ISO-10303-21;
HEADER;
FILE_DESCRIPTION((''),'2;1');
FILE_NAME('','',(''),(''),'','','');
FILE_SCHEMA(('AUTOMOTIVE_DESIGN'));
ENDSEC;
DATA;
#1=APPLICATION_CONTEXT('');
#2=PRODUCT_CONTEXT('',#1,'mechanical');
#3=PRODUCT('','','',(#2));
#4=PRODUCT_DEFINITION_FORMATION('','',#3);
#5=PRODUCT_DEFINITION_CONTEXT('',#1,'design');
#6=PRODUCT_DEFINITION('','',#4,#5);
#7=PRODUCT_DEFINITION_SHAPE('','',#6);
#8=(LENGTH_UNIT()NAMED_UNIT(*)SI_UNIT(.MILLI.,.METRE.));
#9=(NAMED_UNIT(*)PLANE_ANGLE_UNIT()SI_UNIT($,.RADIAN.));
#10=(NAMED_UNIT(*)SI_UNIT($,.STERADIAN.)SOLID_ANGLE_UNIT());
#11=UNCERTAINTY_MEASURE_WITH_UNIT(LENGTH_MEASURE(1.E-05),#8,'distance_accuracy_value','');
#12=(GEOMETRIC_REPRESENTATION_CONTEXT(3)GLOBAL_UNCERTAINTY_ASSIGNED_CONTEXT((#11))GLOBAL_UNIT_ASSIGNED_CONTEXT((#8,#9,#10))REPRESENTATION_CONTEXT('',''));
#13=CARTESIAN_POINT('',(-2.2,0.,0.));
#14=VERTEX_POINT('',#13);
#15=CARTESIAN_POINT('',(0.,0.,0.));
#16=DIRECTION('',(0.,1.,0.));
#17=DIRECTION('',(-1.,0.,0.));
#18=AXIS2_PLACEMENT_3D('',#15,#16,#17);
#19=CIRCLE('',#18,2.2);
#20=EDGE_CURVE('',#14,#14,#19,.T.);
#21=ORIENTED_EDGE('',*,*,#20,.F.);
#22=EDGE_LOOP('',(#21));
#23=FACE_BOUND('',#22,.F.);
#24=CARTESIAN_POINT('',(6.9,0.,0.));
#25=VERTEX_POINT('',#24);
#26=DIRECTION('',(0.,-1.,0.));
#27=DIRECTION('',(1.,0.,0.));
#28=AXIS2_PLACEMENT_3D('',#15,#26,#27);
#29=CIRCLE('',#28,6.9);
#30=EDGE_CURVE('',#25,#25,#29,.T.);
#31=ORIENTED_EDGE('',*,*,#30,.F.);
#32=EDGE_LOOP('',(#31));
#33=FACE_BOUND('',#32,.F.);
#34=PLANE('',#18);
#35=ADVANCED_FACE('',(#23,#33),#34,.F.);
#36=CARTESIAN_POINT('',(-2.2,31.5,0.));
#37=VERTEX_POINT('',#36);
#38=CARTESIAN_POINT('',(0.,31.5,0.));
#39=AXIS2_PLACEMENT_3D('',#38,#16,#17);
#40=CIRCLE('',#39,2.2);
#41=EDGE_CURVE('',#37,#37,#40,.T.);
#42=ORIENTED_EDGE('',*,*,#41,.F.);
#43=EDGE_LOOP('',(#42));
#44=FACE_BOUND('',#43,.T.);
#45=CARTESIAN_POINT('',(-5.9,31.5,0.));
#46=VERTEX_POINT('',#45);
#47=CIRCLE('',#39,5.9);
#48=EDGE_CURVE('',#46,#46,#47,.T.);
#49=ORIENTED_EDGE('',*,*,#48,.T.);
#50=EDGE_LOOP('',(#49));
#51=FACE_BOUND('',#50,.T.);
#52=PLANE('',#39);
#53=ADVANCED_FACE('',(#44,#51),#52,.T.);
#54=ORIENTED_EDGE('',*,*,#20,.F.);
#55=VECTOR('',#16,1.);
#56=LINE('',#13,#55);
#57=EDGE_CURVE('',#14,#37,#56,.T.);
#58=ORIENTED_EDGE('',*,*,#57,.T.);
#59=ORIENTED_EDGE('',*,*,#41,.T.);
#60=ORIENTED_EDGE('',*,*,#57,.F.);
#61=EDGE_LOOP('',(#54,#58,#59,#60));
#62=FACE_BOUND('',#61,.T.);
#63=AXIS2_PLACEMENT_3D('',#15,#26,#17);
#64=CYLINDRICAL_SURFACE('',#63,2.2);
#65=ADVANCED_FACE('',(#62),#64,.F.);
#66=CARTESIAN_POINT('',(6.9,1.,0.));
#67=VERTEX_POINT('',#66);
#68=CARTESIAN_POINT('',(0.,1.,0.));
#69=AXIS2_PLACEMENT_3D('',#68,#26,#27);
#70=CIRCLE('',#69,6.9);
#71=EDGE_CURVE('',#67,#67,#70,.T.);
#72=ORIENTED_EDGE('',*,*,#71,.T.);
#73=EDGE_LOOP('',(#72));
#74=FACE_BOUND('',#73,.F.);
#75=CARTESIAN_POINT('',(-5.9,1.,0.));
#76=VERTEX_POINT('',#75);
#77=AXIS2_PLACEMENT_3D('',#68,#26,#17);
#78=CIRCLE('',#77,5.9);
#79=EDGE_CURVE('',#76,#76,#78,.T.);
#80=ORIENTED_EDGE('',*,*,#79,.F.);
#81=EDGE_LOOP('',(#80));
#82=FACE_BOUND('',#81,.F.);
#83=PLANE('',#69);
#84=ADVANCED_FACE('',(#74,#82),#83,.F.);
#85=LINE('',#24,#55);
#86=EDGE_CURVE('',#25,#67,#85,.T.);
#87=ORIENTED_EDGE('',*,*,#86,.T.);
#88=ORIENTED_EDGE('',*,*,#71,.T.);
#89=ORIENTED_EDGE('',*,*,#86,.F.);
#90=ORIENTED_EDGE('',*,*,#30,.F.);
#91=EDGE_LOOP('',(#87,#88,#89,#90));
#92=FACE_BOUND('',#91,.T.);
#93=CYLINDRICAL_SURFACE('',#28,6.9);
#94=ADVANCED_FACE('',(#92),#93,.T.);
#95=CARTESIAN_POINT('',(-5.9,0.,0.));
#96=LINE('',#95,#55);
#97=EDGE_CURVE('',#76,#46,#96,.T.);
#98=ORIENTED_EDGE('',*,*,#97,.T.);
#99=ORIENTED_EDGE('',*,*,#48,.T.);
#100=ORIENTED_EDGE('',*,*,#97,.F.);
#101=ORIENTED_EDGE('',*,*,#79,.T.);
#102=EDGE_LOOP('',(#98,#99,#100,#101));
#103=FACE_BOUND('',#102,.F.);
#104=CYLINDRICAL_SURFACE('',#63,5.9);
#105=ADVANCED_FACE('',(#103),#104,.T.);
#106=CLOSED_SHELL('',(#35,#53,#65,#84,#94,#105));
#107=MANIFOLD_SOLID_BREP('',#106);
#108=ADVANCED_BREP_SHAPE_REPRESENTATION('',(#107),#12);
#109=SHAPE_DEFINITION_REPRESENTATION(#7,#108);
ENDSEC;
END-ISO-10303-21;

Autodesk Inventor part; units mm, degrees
ref_plane "YZ Plane" through (0, 0, 0) normal (1, 0, 0) x (0, 1, 0)
ref_plane "XZ Plane" through (0, 0, 0) normal (0, 1, 0) x (-1, 0, 0)
ref_plane "XY Plane" through (0, 0, 0) normal (0, 0, 1) x (1, 0, 0)
sketch "Эскиз1" plane through (0, 0, 0) normal (0, 1, 0) x (-1, 0, 0)
  circle A0 centre (0, 0) radius 5.9
  circle A1 centre (0, 0) radius 2.2
  dimension "d0" = 11.8
  dimension "d1" = 4.4
extrude "Выдавливание1" add sketch "Эскиз1" along normal blind 31.5
sketch "Эскиз2" plane through (0, 0, 0) normal (0, -1, 0) x (1, 0, 0)
  circle A0 centre (0, 0) radius 2.2 projected
  circle A1 centre (0, 0) radius 6.9
  dimension "d4" = 13.8
extrude "Выдавливание2" add sketch "Эскиз2" against normal blind 1
properties part number "cylinder" material "Пластик АБС"
